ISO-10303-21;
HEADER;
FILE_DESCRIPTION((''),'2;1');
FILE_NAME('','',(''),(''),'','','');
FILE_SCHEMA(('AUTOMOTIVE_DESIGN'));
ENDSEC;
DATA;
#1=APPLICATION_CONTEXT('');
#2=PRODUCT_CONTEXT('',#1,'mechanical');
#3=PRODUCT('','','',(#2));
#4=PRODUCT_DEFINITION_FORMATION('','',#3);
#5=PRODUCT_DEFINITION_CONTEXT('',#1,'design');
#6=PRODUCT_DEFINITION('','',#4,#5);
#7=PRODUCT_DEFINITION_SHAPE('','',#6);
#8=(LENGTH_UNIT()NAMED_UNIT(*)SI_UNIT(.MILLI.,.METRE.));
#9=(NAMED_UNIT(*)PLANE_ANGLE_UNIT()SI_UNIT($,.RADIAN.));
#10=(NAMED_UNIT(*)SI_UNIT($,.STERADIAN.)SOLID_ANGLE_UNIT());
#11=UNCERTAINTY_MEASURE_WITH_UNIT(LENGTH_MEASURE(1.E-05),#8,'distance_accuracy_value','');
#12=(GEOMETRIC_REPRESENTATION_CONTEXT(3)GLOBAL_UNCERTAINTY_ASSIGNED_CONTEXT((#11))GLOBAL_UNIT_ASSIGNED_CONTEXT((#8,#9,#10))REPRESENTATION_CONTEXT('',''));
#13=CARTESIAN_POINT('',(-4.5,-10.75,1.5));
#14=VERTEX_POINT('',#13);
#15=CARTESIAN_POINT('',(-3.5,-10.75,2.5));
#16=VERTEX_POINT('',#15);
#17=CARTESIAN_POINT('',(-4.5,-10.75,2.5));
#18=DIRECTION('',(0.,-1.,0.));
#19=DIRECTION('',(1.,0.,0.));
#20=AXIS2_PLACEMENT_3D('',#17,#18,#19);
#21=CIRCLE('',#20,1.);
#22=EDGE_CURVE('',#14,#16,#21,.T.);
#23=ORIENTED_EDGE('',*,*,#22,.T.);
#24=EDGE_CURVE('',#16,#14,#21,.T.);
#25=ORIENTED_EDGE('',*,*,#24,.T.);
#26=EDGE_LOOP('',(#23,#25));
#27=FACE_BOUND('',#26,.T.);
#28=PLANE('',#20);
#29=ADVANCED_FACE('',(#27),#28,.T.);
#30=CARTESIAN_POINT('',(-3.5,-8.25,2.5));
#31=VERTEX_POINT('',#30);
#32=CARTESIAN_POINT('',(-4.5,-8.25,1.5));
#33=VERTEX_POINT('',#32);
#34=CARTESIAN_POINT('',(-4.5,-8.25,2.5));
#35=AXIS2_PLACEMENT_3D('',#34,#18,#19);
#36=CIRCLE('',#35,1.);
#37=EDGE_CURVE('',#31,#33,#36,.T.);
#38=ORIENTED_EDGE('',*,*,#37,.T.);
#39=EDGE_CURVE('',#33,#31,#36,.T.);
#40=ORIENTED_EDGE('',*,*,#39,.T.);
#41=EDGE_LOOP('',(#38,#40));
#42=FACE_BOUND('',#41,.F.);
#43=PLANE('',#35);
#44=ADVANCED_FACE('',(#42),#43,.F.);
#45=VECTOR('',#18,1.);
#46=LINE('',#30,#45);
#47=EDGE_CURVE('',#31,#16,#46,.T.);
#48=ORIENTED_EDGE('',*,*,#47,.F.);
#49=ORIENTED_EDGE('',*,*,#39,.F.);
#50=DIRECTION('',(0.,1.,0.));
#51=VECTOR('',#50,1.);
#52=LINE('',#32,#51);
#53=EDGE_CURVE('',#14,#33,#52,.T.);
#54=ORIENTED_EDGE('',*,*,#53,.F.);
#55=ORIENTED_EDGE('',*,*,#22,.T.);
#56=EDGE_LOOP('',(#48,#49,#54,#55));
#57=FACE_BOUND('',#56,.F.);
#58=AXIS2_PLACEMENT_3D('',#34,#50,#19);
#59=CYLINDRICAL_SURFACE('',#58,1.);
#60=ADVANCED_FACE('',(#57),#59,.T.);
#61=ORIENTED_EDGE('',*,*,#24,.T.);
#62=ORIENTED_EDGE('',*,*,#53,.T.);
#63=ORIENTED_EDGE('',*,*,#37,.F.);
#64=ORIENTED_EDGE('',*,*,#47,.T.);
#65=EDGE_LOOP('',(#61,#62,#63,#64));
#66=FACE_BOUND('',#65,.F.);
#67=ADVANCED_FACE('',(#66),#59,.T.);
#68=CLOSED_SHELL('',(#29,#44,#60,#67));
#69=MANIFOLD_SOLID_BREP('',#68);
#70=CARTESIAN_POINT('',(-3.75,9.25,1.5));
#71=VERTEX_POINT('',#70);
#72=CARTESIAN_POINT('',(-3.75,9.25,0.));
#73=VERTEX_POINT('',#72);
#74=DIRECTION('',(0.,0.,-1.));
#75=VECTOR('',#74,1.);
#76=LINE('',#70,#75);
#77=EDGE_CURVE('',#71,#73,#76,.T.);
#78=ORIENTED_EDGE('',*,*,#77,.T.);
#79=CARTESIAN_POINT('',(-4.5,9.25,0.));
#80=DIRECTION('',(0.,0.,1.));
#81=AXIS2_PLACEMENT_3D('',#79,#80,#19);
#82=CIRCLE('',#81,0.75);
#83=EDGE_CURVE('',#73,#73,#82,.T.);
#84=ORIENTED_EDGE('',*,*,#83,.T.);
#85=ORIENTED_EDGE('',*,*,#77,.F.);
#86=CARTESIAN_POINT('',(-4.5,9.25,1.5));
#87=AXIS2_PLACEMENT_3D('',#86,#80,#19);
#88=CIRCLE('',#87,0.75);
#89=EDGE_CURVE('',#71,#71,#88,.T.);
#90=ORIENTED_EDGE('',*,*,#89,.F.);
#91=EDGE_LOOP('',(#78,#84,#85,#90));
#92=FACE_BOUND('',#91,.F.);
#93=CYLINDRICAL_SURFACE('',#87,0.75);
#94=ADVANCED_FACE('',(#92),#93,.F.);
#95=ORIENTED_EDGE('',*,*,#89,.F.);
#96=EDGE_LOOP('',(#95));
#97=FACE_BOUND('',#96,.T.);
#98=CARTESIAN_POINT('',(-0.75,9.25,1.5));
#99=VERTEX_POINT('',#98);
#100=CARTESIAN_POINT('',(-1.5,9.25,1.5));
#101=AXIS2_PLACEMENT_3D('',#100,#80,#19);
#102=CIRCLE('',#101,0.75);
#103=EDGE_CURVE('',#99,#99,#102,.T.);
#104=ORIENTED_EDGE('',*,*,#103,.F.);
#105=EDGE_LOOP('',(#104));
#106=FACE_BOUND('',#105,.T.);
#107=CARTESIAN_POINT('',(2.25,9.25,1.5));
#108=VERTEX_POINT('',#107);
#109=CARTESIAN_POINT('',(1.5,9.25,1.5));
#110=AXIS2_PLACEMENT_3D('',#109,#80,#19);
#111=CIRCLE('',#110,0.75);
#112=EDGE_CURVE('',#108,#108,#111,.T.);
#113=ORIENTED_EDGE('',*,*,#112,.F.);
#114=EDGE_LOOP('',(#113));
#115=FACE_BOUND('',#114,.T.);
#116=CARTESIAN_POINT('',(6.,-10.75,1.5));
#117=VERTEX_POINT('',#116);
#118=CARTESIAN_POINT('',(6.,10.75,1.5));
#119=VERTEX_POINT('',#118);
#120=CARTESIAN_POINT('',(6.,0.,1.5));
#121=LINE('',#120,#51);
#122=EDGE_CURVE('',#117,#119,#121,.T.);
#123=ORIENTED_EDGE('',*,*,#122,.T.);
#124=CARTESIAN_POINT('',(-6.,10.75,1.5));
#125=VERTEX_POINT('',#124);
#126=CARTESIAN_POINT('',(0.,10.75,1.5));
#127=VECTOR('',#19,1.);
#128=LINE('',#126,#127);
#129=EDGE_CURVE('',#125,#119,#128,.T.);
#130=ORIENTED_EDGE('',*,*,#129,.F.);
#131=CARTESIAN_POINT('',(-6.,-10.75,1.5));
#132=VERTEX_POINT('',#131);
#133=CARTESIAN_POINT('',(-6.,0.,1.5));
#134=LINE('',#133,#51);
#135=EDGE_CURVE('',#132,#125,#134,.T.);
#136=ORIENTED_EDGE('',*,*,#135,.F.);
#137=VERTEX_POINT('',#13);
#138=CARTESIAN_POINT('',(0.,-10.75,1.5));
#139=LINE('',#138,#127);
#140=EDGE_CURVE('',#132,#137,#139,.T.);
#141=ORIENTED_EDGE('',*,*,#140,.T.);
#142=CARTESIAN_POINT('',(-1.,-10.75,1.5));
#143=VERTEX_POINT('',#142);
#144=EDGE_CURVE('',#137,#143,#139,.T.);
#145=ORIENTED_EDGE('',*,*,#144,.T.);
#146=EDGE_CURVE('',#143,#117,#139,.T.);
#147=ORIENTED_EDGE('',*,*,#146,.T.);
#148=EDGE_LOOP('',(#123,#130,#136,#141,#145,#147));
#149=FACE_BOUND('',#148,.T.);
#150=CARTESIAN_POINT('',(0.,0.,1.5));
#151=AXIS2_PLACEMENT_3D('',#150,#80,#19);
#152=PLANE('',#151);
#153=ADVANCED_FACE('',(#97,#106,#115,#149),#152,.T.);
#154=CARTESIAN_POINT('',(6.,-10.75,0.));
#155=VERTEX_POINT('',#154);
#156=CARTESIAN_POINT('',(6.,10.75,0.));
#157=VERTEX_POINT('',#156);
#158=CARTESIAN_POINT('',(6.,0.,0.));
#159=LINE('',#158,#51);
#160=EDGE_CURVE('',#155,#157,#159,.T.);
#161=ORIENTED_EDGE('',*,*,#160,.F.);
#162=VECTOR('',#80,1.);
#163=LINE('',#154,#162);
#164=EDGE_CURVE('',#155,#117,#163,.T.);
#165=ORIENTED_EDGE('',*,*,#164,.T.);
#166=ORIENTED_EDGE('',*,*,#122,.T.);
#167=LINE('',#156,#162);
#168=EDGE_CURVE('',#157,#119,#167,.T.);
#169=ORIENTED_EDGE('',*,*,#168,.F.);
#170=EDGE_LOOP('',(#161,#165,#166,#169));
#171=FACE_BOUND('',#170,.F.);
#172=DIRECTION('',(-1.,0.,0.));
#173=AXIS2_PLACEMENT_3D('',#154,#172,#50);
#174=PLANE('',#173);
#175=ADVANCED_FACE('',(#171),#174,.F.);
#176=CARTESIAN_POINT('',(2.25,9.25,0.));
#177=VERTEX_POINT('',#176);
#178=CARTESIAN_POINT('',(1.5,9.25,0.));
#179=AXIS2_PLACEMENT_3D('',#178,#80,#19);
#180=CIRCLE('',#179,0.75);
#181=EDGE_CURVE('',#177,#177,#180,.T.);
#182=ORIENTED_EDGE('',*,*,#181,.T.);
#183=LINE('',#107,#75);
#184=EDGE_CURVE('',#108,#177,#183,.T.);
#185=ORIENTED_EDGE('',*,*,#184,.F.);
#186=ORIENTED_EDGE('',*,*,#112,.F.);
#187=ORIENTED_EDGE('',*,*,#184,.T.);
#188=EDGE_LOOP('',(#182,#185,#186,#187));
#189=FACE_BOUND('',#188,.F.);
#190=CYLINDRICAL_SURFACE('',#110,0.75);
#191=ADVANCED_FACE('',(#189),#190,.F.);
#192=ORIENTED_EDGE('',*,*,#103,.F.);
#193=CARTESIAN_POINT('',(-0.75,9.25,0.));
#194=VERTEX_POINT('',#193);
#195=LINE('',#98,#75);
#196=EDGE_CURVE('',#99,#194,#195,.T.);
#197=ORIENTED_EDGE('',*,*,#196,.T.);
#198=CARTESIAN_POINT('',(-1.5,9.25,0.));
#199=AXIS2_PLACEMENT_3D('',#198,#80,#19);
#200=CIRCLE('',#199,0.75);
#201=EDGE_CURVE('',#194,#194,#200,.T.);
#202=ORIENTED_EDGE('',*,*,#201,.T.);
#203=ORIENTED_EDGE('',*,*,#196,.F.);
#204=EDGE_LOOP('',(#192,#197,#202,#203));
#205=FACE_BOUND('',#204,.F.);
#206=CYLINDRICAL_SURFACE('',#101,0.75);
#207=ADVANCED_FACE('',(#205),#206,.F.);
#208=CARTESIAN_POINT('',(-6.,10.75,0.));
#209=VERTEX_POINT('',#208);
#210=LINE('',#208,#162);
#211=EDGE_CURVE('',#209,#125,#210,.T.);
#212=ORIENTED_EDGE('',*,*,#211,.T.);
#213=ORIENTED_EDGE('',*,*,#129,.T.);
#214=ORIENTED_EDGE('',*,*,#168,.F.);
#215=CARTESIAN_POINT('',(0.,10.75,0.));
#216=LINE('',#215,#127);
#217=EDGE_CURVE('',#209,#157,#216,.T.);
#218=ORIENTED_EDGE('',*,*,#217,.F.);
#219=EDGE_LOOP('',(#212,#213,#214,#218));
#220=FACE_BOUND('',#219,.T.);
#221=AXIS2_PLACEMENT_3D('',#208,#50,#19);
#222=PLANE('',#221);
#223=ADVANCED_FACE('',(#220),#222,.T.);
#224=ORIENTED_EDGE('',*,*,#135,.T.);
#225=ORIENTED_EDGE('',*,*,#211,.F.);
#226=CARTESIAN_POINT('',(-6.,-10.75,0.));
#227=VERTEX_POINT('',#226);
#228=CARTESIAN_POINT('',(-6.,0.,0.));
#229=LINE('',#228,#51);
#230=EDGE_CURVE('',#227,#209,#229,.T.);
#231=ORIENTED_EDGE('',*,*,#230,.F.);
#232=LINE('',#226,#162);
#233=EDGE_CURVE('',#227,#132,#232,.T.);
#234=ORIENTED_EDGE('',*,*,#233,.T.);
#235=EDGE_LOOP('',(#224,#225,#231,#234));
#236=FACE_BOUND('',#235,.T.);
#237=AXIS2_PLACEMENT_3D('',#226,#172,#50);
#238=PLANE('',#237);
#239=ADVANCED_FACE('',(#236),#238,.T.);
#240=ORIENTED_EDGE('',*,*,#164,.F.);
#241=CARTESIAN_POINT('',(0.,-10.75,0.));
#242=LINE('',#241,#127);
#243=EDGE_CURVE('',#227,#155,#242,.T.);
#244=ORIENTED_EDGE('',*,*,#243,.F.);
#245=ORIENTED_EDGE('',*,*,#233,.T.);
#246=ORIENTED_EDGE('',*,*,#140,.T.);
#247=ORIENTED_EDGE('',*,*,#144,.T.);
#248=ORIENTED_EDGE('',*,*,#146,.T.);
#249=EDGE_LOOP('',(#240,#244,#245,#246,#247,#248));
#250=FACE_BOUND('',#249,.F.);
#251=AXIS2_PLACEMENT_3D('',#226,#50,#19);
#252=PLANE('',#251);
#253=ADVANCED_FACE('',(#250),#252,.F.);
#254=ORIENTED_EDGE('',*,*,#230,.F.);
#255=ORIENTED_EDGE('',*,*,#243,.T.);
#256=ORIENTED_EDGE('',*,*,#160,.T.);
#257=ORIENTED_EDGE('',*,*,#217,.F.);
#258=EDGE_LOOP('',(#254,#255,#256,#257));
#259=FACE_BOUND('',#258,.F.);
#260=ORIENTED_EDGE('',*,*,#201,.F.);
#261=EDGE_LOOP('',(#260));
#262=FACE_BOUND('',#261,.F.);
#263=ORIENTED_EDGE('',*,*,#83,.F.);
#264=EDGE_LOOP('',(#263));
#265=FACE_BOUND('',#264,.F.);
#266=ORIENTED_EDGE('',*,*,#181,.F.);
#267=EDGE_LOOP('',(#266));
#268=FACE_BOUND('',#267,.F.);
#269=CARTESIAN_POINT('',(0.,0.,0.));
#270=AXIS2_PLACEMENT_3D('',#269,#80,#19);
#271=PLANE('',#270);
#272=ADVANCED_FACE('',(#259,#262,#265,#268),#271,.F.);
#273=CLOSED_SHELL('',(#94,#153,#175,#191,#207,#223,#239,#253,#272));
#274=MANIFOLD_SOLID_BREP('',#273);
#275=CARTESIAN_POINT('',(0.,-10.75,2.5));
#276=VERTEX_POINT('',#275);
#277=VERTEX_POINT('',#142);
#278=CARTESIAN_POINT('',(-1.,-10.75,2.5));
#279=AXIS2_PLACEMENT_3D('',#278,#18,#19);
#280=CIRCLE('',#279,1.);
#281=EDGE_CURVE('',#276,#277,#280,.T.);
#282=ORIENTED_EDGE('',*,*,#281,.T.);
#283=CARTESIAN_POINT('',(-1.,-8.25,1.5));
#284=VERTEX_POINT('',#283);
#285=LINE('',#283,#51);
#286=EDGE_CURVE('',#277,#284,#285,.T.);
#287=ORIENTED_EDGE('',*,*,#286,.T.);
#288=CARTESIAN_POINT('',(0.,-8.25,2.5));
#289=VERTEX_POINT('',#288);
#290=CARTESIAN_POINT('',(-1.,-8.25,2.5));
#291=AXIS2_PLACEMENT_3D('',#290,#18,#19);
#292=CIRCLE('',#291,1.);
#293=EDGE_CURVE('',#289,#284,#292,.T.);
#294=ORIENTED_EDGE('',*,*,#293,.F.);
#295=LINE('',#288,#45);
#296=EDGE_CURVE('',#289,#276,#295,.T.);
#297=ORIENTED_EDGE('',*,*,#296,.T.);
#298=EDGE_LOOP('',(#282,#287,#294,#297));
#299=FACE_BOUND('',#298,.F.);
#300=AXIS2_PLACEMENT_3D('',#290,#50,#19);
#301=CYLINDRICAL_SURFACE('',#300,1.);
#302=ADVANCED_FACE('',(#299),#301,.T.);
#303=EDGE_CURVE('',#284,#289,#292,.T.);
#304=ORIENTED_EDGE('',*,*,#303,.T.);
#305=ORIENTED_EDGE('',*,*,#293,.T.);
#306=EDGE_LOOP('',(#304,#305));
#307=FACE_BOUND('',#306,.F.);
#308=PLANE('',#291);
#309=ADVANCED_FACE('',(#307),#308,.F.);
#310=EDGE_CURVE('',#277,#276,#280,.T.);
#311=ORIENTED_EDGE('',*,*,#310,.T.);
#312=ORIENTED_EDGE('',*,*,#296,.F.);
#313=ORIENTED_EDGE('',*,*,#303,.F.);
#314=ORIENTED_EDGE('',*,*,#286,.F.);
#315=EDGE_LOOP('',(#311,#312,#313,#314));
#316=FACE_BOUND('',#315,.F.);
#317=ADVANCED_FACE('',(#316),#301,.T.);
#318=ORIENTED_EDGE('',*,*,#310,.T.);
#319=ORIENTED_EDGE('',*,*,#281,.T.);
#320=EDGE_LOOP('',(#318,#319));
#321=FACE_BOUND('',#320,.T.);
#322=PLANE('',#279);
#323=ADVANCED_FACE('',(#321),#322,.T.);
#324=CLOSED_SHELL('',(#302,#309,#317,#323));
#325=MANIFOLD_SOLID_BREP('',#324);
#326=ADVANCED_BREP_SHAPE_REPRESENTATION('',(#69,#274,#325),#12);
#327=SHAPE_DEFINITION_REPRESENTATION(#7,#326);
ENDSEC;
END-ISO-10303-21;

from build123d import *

# Parameters (mm, degrees)
F0_W     = 12
F0_H     = 21.5
F1_DEPTH = 1.5
F3_R     = 1
F4_DEPTH = 2.5
F5_R     = 0.75
F6_DEPTH = 1.501


with BuildPart() as f1:
    # F0 (on Top) → F1 (new body)
    with BuildSketch(Plane.XY):
        Rectangle(F0_W, F0_H)
    extrude(amount=F1_DEPTH)

    # F3 (on offset) → F4 (join, through all)
    with BuildSketch(Plane.XZ.offset(8.25)):
        with Locations((-4.5, 2.5)):
            Circle(F3_R)
        with Locations((-1, 2.5)):
            Circle(F3_R)
    extrude(amount=F4_DEPTH)

    # F5 (on face) → F6 (cut, through all)
    with BuildSketch(Plane.XY.offset(1.5)):
        with Locations((-4.5, 9.25)):
            Circle(F5_R)
        with Locations((-1.5, 9.25)):
            Circle(F5_R)
        with Locations((1.5, 9.25)):
            Circle(F5_R)
    extrude(amount=-F6_DEPTH, mode=Mode.SUBTRACT)


solid = f1.part
